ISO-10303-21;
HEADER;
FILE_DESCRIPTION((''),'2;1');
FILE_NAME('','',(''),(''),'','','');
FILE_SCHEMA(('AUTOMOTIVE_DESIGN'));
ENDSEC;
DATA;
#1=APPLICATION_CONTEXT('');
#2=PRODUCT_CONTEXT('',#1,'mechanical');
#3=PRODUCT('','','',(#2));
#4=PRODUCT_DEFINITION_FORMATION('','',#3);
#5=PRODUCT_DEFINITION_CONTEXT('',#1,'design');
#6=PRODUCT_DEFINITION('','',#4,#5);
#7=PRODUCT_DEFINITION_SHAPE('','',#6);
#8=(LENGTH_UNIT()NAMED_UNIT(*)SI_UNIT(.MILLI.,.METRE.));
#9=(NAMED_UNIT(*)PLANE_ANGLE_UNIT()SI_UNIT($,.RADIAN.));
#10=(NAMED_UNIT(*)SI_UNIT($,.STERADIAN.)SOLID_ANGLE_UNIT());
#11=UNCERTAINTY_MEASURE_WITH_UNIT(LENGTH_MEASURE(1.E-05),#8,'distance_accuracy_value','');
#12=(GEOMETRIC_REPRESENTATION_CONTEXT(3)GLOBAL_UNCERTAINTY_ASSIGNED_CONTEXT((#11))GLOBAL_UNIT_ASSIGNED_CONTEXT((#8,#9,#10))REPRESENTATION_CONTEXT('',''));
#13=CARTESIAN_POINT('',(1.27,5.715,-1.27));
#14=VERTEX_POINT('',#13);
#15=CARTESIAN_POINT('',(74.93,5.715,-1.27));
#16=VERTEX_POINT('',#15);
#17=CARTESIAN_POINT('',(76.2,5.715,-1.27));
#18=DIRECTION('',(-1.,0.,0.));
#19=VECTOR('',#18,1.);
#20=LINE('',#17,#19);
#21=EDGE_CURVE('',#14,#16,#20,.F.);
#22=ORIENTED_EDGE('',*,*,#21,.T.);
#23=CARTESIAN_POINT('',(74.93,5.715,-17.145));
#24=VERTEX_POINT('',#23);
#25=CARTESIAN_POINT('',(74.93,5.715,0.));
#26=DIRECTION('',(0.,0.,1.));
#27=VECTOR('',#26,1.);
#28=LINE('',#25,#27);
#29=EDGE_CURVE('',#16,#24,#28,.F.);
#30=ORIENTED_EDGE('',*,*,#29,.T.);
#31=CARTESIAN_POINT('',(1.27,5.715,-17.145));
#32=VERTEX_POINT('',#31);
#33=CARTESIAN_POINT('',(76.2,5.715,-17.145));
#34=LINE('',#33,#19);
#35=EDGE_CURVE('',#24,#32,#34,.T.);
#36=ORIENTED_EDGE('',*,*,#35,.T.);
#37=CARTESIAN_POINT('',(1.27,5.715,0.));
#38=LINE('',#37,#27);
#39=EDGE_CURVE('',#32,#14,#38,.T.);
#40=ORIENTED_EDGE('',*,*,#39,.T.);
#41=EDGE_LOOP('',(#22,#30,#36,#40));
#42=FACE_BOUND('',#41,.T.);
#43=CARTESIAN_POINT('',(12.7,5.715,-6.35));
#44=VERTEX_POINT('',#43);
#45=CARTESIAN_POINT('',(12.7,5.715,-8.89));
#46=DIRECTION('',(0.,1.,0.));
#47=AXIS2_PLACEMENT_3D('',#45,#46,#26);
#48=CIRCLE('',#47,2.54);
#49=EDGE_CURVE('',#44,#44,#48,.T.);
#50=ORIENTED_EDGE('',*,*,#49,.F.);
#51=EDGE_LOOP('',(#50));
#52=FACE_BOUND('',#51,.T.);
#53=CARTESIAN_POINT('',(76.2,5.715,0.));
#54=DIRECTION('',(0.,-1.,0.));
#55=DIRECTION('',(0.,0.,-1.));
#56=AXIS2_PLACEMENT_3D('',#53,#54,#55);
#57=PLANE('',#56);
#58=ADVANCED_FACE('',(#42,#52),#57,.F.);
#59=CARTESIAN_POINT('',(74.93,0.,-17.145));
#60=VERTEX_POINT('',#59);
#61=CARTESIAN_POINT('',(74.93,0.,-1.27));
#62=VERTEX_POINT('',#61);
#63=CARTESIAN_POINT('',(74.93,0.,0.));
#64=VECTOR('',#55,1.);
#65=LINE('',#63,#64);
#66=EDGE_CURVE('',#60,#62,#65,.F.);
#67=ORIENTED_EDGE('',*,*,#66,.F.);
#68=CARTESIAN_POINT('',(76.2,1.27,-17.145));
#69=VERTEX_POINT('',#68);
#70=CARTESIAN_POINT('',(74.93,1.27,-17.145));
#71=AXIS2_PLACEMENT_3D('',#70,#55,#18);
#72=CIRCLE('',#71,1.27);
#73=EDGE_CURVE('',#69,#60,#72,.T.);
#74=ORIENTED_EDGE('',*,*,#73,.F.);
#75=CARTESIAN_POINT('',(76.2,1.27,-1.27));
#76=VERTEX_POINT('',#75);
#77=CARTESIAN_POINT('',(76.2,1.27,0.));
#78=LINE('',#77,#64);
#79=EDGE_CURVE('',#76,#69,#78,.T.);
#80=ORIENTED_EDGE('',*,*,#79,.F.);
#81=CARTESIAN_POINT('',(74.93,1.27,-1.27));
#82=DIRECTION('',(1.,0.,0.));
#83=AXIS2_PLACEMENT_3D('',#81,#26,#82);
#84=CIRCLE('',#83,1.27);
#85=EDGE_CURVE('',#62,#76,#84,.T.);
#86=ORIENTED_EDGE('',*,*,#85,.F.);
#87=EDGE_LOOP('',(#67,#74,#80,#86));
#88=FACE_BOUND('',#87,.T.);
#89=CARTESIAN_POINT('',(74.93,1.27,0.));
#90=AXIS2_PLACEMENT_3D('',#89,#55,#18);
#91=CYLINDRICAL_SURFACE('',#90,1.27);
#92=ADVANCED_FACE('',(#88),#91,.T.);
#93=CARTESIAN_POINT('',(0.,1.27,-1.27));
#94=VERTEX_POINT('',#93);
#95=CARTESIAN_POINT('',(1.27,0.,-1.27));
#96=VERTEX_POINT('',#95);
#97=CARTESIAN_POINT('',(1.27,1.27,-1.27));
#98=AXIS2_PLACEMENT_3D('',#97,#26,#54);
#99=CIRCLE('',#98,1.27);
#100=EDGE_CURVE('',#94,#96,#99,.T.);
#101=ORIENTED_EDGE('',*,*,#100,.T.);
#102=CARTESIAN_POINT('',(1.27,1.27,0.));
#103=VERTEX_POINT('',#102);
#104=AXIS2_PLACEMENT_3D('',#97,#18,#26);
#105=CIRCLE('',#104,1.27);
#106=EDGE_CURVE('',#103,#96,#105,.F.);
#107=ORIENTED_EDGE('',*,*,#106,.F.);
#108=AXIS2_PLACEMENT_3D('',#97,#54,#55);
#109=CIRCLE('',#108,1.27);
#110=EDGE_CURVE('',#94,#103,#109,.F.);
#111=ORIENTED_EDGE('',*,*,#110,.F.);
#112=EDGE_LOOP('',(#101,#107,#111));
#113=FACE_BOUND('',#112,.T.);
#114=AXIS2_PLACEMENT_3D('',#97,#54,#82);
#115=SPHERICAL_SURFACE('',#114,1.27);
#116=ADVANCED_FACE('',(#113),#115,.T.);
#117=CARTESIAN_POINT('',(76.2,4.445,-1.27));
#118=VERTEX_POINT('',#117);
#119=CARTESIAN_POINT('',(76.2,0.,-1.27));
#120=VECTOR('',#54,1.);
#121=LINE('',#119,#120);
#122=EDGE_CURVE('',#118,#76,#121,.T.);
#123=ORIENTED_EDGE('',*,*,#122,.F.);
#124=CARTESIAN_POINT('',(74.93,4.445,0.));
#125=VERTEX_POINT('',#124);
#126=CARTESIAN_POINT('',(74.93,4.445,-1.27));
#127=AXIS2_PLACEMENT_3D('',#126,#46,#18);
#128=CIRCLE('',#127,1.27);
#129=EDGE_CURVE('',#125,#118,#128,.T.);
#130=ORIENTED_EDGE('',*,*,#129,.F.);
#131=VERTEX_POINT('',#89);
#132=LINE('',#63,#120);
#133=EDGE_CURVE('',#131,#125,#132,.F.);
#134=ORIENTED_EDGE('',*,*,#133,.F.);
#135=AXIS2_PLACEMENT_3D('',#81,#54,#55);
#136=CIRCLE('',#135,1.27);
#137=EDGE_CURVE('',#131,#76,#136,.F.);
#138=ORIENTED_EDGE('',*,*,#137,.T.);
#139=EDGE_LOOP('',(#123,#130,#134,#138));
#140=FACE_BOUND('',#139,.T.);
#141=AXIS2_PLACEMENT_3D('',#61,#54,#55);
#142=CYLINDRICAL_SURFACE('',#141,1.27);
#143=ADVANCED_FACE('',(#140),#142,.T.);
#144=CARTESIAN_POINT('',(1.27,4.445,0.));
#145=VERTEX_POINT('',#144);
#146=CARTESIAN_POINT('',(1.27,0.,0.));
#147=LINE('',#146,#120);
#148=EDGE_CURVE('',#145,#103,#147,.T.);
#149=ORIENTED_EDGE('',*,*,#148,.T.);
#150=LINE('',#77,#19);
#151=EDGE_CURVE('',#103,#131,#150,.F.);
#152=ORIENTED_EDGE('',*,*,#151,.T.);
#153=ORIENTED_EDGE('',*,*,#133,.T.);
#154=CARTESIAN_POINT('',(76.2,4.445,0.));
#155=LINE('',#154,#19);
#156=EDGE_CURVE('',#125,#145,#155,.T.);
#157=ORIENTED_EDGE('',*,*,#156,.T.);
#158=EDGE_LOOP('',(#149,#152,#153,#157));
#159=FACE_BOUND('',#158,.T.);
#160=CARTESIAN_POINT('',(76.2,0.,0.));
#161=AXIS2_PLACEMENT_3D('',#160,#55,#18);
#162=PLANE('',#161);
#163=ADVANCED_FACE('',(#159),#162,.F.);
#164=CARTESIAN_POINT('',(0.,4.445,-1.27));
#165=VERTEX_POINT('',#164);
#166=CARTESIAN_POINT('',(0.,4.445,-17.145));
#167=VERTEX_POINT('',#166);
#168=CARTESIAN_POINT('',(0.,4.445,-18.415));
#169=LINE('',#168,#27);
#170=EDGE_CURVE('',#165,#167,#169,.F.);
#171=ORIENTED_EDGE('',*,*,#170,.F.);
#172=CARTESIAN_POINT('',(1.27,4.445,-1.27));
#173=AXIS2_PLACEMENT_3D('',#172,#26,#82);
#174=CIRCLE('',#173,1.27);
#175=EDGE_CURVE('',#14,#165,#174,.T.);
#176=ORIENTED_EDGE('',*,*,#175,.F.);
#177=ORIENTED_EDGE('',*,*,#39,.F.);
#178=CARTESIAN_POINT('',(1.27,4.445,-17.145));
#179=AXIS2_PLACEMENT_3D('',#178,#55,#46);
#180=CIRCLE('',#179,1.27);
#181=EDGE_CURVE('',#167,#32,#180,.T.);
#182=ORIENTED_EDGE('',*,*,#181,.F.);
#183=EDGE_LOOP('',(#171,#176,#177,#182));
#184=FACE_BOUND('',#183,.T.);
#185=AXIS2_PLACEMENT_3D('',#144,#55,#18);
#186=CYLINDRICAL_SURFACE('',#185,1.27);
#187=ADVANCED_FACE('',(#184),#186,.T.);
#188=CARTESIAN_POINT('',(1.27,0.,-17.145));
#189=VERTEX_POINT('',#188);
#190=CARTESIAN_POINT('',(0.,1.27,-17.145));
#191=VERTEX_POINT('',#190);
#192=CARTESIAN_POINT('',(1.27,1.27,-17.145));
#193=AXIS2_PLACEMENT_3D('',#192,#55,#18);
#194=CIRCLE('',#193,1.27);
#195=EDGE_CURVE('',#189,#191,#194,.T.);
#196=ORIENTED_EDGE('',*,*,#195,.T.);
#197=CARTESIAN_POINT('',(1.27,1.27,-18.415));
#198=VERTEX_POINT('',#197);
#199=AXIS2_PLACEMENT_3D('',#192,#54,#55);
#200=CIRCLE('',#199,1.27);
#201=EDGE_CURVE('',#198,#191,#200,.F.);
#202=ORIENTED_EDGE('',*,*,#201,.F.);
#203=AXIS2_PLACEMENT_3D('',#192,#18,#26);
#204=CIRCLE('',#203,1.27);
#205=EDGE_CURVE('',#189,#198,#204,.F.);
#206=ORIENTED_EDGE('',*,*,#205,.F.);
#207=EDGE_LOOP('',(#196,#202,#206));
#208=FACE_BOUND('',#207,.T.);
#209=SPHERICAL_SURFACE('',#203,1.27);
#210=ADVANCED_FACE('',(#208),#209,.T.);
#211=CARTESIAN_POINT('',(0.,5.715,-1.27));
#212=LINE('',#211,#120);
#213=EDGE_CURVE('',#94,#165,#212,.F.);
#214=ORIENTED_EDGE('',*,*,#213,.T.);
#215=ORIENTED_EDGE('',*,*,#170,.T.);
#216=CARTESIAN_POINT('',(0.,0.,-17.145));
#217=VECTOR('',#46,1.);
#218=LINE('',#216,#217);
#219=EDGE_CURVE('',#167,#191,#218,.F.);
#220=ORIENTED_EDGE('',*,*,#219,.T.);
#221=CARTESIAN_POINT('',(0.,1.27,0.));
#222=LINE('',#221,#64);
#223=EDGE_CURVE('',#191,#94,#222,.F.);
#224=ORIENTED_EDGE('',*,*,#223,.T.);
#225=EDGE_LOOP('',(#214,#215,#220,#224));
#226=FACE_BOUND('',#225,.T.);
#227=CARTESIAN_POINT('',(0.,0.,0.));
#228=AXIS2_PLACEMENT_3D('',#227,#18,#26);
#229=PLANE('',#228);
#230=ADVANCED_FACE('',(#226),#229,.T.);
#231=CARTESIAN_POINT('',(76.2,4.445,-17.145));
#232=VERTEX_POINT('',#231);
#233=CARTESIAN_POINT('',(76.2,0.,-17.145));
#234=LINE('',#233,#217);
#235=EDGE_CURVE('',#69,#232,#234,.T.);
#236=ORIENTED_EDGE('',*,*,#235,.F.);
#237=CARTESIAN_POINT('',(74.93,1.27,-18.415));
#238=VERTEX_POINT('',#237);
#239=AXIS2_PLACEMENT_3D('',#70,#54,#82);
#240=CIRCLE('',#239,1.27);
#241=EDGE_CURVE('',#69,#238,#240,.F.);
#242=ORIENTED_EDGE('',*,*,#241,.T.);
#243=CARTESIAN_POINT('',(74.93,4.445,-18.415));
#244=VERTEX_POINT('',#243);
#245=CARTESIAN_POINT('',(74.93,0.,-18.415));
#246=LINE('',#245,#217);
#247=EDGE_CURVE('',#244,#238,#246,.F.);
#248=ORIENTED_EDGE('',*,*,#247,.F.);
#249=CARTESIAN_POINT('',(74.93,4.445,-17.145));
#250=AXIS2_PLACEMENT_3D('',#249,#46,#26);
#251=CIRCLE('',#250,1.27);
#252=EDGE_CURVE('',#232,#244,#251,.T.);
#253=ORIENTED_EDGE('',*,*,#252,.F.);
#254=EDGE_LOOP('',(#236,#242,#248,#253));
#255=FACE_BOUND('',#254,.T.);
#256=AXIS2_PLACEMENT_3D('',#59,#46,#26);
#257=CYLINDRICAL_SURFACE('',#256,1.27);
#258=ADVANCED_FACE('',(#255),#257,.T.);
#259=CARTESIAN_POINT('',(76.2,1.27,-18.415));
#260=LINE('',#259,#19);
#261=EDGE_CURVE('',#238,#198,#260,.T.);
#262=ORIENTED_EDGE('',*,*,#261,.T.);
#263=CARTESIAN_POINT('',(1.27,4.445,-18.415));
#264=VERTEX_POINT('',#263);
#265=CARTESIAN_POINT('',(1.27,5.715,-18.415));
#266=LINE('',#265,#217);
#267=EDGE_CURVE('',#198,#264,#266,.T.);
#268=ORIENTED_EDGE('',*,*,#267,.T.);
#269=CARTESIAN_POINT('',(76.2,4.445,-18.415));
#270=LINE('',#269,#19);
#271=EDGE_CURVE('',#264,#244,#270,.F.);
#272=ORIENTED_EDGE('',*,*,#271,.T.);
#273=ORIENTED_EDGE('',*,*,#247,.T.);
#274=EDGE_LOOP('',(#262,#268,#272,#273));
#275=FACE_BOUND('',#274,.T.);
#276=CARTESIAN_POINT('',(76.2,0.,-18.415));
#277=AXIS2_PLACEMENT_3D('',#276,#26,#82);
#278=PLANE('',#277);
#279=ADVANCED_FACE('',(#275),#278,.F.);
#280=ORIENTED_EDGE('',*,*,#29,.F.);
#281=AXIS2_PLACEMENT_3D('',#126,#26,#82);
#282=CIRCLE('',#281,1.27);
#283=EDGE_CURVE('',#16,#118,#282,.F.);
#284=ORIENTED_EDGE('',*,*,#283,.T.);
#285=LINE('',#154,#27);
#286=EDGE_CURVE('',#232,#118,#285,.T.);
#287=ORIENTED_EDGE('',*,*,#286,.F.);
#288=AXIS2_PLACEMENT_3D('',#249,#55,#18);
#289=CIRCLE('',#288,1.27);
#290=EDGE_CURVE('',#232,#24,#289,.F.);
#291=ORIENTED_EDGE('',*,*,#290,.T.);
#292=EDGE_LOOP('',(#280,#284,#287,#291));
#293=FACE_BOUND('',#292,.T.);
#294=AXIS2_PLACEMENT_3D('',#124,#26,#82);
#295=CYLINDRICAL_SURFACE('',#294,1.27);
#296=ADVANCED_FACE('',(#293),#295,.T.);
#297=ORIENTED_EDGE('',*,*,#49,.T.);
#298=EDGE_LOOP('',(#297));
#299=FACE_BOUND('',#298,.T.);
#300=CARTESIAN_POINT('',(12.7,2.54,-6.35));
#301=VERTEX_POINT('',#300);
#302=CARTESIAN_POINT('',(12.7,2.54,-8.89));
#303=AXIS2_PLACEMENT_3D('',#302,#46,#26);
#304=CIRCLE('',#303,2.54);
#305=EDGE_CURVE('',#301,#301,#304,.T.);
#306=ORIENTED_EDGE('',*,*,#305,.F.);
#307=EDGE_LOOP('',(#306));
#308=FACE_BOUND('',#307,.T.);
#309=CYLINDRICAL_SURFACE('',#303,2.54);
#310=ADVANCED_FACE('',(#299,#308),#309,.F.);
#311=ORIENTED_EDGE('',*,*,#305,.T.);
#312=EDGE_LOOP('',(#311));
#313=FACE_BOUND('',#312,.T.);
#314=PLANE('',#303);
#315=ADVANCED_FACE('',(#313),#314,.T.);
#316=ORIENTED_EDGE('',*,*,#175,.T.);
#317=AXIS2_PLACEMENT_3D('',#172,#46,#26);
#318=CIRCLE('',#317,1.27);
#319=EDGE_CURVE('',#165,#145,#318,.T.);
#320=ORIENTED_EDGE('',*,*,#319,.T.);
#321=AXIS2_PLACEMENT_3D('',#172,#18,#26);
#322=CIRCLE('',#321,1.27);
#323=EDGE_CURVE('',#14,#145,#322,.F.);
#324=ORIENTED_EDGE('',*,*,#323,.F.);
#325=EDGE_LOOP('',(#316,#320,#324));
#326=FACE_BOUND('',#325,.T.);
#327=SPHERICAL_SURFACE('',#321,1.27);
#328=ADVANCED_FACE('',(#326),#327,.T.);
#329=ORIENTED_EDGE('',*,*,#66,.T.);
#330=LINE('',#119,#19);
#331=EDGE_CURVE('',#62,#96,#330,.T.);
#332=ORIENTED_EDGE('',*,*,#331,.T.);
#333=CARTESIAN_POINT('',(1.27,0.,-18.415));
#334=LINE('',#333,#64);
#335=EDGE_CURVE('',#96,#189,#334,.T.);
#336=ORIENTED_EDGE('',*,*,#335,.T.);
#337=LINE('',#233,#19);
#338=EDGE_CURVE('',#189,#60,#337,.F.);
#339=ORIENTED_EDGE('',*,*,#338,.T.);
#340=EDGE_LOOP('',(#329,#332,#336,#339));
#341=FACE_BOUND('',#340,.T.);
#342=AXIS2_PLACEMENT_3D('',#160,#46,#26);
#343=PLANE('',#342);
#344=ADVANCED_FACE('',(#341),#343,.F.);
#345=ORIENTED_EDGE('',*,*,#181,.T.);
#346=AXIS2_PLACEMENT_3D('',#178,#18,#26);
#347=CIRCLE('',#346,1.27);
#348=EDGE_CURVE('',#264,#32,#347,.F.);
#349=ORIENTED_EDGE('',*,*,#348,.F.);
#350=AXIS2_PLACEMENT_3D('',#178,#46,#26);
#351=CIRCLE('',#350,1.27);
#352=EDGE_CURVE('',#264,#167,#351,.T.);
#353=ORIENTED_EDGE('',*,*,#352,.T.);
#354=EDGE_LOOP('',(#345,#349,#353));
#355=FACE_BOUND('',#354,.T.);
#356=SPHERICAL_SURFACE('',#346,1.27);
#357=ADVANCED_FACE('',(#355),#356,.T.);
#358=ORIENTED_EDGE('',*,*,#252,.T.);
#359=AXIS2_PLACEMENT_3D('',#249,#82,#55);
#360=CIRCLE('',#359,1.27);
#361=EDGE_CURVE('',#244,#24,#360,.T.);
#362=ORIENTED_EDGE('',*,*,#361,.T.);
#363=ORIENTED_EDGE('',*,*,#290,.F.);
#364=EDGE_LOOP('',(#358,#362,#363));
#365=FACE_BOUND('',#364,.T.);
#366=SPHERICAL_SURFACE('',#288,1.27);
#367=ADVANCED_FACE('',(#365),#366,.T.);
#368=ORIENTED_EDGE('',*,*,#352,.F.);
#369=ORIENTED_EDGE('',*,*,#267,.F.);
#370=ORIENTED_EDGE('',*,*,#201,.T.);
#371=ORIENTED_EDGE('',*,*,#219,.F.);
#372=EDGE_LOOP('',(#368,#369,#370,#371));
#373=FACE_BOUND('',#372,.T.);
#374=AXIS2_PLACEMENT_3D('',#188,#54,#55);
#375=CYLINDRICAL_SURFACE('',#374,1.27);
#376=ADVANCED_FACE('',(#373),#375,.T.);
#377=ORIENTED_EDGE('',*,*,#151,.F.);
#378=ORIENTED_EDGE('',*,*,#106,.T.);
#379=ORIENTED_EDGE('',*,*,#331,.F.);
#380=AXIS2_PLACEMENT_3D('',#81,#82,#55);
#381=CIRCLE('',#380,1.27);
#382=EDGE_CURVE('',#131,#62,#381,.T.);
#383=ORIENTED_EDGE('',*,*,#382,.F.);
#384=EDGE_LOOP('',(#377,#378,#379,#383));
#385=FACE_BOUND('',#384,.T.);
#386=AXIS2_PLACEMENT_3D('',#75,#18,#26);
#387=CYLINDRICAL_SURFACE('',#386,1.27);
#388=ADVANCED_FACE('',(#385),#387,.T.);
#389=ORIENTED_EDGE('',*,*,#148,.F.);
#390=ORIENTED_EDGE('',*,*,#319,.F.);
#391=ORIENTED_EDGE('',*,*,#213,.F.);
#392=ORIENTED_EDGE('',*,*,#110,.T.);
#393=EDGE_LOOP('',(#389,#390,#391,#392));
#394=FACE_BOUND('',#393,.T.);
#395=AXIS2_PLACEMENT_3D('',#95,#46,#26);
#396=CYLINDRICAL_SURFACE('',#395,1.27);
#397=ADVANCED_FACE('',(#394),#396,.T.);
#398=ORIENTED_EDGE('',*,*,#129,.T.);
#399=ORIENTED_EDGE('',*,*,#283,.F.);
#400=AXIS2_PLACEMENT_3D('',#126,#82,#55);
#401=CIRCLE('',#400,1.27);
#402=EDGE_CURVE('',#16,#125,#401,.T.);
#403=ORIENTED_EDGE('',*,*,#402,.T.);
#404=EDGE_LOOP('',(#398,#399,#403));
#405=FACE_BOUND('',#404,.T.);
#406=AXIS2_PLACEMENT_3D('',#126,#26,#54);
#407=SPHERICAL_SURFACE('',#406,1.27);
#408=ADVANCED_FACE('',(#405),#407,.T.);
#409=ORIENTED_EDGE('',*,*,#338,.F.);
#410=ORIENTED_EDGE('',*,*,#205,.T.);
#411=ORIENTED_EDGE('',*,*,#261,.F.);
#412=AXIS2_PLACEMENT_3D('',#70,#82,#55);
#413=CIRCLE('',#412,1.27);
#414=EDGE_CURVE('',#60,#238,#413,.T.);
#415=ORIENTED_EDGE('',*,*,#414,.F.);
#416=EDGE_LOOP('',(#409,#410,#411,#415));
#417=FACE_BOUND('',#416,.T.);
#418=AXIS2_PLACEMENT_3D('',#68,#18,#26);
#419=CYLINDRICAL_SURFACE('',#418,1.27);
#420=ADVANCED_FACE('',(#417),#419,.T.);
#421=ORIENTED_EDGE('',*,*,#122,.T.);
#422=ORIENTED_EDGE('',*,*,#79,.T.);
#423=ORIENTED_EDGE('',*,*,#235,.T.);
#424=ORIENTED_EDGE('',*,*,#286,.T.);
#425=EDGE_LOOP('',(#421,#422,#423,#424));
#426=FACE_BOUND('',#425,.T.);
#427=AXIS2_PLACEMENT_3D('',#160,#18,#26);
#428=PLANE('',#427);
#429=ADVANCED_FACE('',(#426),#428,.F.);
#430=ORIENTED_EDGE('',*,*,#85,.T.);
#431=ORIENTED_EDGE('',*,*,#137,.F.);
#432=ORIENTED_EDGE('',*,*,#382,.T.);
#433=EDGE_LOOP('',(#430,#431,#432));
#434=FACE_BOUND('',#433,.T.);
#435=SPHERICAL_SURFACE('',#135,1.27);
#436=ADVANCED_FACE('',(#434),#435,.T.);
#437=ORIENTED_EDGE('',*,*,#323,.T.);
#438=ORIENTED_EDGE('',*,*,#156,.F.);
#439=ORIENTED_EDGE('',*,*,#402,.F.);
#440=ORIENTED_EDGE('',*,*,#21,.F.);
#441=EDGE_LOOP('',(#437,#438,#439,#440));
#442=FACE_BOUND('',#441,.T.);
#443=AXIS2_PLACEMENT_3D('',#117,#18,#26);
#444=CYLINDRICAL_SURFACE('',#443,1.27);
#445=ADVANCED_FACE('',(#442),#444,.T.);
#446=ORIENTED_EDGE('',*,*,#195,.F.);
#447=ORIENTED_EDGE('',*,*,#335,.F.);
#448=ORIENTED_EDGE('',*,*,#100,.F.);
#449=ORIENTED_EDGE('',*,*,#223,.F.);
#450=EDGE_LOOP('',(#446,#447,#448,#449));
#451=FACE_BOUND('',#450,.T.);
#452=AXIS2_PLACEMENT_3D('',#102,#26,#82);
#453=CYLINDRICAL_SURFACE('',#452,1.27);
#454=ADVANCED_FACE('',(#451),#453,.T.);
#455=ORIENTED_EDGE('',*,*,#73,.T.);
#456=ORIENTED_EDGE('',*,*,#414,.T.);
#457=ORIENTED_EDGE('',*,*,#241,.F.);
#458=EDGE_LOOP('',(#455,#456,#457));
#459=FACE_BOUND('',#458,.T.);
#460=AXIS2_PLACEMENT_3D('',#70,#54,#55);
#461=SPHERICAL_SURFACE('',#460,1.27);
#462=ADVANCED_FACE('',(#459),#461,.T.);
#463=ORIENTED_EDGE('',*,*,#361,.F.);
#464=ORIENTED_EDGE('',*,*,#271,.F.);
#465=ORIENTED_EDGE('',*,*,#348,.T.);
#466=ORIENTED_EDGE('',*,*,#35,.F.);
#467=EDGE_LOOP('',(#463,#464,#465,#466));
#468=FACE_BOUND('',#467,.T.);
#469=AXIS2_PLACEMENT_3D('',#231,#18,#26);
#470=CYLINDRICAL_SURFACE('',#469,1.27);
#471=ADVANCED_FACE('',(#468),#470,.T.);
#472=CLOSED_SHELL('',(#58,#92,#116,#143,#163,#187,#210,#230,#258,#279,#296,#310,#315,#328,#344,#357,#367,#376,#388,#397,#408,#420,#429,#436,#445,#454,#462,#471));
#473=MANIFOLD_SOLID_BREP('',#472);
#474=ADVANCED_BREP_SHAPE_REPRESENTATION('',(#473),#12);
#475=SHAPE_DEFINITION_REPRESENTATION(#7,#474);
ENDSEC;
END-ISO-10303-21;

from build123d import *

# Parameters (mm, degrees)
SKETCH1_W           = 18.415
SKETCH1_H           = 5.715
BOSS_EXTRUDE1_DEPTH = 76.2
SKETCH2_R           = 2.54
CUT_EXTRUDE1_DEPTH  = 3.175
FILLET1_R           = 1.27


with BuildPart() as part:
    # Sketch1 → Boss-Extrude1 (new body)
    with BuildSketch(Plane(origin=(0, 0, 0), x_dir=(0, 0, -1), z_dir=(1, 0, 0))):
        with Locations((9.2075, 2.8575)):
            Rectangle(SKETCH1_W, SKETCH1_H)
    extrude(amount=BOSS_EXTRUDE1_DEPTH)

    # Sketch2 → Cut-Extrude1 (cut)
    with BuildSketch(Plane(origin=(0, 5.715, 0), x_dir=(1, 0, 0), z_dir=(0, 1, 0))):
        with Locations(Location((12.7, 8.89, 0), (0, 0, 270))):
            Circle(SKETCH2_R)
    extrude(amount=-CUT_EXTRUDE1_DEPTH, mode=Mode.SUBTRACT)

    # Fillet1
    fillet1_edges = [part.edges().sort_by_distance(p)[0] for p in [
        (76.2, 2.8575, -18.415),
        (76.2, 5.715, -9.2075),
        (76.2, 2.8575, 0),
        (0, 5.715, -9.2075),
        (0, 2.8575, -18.415),
        (0, 0, -9.2075),
        (0, 2.8575, 0),
        (38.1, 5.715, 0),
        (38.1, 5.715, -18.415),
        (38.1, 0, -18.415),
        (38.1, 0, 0),
        (76.2, 0, -9.2075),
    ]]
    fillet(fillet1_edges, radius=FILLET1_R)


solid = part.part
